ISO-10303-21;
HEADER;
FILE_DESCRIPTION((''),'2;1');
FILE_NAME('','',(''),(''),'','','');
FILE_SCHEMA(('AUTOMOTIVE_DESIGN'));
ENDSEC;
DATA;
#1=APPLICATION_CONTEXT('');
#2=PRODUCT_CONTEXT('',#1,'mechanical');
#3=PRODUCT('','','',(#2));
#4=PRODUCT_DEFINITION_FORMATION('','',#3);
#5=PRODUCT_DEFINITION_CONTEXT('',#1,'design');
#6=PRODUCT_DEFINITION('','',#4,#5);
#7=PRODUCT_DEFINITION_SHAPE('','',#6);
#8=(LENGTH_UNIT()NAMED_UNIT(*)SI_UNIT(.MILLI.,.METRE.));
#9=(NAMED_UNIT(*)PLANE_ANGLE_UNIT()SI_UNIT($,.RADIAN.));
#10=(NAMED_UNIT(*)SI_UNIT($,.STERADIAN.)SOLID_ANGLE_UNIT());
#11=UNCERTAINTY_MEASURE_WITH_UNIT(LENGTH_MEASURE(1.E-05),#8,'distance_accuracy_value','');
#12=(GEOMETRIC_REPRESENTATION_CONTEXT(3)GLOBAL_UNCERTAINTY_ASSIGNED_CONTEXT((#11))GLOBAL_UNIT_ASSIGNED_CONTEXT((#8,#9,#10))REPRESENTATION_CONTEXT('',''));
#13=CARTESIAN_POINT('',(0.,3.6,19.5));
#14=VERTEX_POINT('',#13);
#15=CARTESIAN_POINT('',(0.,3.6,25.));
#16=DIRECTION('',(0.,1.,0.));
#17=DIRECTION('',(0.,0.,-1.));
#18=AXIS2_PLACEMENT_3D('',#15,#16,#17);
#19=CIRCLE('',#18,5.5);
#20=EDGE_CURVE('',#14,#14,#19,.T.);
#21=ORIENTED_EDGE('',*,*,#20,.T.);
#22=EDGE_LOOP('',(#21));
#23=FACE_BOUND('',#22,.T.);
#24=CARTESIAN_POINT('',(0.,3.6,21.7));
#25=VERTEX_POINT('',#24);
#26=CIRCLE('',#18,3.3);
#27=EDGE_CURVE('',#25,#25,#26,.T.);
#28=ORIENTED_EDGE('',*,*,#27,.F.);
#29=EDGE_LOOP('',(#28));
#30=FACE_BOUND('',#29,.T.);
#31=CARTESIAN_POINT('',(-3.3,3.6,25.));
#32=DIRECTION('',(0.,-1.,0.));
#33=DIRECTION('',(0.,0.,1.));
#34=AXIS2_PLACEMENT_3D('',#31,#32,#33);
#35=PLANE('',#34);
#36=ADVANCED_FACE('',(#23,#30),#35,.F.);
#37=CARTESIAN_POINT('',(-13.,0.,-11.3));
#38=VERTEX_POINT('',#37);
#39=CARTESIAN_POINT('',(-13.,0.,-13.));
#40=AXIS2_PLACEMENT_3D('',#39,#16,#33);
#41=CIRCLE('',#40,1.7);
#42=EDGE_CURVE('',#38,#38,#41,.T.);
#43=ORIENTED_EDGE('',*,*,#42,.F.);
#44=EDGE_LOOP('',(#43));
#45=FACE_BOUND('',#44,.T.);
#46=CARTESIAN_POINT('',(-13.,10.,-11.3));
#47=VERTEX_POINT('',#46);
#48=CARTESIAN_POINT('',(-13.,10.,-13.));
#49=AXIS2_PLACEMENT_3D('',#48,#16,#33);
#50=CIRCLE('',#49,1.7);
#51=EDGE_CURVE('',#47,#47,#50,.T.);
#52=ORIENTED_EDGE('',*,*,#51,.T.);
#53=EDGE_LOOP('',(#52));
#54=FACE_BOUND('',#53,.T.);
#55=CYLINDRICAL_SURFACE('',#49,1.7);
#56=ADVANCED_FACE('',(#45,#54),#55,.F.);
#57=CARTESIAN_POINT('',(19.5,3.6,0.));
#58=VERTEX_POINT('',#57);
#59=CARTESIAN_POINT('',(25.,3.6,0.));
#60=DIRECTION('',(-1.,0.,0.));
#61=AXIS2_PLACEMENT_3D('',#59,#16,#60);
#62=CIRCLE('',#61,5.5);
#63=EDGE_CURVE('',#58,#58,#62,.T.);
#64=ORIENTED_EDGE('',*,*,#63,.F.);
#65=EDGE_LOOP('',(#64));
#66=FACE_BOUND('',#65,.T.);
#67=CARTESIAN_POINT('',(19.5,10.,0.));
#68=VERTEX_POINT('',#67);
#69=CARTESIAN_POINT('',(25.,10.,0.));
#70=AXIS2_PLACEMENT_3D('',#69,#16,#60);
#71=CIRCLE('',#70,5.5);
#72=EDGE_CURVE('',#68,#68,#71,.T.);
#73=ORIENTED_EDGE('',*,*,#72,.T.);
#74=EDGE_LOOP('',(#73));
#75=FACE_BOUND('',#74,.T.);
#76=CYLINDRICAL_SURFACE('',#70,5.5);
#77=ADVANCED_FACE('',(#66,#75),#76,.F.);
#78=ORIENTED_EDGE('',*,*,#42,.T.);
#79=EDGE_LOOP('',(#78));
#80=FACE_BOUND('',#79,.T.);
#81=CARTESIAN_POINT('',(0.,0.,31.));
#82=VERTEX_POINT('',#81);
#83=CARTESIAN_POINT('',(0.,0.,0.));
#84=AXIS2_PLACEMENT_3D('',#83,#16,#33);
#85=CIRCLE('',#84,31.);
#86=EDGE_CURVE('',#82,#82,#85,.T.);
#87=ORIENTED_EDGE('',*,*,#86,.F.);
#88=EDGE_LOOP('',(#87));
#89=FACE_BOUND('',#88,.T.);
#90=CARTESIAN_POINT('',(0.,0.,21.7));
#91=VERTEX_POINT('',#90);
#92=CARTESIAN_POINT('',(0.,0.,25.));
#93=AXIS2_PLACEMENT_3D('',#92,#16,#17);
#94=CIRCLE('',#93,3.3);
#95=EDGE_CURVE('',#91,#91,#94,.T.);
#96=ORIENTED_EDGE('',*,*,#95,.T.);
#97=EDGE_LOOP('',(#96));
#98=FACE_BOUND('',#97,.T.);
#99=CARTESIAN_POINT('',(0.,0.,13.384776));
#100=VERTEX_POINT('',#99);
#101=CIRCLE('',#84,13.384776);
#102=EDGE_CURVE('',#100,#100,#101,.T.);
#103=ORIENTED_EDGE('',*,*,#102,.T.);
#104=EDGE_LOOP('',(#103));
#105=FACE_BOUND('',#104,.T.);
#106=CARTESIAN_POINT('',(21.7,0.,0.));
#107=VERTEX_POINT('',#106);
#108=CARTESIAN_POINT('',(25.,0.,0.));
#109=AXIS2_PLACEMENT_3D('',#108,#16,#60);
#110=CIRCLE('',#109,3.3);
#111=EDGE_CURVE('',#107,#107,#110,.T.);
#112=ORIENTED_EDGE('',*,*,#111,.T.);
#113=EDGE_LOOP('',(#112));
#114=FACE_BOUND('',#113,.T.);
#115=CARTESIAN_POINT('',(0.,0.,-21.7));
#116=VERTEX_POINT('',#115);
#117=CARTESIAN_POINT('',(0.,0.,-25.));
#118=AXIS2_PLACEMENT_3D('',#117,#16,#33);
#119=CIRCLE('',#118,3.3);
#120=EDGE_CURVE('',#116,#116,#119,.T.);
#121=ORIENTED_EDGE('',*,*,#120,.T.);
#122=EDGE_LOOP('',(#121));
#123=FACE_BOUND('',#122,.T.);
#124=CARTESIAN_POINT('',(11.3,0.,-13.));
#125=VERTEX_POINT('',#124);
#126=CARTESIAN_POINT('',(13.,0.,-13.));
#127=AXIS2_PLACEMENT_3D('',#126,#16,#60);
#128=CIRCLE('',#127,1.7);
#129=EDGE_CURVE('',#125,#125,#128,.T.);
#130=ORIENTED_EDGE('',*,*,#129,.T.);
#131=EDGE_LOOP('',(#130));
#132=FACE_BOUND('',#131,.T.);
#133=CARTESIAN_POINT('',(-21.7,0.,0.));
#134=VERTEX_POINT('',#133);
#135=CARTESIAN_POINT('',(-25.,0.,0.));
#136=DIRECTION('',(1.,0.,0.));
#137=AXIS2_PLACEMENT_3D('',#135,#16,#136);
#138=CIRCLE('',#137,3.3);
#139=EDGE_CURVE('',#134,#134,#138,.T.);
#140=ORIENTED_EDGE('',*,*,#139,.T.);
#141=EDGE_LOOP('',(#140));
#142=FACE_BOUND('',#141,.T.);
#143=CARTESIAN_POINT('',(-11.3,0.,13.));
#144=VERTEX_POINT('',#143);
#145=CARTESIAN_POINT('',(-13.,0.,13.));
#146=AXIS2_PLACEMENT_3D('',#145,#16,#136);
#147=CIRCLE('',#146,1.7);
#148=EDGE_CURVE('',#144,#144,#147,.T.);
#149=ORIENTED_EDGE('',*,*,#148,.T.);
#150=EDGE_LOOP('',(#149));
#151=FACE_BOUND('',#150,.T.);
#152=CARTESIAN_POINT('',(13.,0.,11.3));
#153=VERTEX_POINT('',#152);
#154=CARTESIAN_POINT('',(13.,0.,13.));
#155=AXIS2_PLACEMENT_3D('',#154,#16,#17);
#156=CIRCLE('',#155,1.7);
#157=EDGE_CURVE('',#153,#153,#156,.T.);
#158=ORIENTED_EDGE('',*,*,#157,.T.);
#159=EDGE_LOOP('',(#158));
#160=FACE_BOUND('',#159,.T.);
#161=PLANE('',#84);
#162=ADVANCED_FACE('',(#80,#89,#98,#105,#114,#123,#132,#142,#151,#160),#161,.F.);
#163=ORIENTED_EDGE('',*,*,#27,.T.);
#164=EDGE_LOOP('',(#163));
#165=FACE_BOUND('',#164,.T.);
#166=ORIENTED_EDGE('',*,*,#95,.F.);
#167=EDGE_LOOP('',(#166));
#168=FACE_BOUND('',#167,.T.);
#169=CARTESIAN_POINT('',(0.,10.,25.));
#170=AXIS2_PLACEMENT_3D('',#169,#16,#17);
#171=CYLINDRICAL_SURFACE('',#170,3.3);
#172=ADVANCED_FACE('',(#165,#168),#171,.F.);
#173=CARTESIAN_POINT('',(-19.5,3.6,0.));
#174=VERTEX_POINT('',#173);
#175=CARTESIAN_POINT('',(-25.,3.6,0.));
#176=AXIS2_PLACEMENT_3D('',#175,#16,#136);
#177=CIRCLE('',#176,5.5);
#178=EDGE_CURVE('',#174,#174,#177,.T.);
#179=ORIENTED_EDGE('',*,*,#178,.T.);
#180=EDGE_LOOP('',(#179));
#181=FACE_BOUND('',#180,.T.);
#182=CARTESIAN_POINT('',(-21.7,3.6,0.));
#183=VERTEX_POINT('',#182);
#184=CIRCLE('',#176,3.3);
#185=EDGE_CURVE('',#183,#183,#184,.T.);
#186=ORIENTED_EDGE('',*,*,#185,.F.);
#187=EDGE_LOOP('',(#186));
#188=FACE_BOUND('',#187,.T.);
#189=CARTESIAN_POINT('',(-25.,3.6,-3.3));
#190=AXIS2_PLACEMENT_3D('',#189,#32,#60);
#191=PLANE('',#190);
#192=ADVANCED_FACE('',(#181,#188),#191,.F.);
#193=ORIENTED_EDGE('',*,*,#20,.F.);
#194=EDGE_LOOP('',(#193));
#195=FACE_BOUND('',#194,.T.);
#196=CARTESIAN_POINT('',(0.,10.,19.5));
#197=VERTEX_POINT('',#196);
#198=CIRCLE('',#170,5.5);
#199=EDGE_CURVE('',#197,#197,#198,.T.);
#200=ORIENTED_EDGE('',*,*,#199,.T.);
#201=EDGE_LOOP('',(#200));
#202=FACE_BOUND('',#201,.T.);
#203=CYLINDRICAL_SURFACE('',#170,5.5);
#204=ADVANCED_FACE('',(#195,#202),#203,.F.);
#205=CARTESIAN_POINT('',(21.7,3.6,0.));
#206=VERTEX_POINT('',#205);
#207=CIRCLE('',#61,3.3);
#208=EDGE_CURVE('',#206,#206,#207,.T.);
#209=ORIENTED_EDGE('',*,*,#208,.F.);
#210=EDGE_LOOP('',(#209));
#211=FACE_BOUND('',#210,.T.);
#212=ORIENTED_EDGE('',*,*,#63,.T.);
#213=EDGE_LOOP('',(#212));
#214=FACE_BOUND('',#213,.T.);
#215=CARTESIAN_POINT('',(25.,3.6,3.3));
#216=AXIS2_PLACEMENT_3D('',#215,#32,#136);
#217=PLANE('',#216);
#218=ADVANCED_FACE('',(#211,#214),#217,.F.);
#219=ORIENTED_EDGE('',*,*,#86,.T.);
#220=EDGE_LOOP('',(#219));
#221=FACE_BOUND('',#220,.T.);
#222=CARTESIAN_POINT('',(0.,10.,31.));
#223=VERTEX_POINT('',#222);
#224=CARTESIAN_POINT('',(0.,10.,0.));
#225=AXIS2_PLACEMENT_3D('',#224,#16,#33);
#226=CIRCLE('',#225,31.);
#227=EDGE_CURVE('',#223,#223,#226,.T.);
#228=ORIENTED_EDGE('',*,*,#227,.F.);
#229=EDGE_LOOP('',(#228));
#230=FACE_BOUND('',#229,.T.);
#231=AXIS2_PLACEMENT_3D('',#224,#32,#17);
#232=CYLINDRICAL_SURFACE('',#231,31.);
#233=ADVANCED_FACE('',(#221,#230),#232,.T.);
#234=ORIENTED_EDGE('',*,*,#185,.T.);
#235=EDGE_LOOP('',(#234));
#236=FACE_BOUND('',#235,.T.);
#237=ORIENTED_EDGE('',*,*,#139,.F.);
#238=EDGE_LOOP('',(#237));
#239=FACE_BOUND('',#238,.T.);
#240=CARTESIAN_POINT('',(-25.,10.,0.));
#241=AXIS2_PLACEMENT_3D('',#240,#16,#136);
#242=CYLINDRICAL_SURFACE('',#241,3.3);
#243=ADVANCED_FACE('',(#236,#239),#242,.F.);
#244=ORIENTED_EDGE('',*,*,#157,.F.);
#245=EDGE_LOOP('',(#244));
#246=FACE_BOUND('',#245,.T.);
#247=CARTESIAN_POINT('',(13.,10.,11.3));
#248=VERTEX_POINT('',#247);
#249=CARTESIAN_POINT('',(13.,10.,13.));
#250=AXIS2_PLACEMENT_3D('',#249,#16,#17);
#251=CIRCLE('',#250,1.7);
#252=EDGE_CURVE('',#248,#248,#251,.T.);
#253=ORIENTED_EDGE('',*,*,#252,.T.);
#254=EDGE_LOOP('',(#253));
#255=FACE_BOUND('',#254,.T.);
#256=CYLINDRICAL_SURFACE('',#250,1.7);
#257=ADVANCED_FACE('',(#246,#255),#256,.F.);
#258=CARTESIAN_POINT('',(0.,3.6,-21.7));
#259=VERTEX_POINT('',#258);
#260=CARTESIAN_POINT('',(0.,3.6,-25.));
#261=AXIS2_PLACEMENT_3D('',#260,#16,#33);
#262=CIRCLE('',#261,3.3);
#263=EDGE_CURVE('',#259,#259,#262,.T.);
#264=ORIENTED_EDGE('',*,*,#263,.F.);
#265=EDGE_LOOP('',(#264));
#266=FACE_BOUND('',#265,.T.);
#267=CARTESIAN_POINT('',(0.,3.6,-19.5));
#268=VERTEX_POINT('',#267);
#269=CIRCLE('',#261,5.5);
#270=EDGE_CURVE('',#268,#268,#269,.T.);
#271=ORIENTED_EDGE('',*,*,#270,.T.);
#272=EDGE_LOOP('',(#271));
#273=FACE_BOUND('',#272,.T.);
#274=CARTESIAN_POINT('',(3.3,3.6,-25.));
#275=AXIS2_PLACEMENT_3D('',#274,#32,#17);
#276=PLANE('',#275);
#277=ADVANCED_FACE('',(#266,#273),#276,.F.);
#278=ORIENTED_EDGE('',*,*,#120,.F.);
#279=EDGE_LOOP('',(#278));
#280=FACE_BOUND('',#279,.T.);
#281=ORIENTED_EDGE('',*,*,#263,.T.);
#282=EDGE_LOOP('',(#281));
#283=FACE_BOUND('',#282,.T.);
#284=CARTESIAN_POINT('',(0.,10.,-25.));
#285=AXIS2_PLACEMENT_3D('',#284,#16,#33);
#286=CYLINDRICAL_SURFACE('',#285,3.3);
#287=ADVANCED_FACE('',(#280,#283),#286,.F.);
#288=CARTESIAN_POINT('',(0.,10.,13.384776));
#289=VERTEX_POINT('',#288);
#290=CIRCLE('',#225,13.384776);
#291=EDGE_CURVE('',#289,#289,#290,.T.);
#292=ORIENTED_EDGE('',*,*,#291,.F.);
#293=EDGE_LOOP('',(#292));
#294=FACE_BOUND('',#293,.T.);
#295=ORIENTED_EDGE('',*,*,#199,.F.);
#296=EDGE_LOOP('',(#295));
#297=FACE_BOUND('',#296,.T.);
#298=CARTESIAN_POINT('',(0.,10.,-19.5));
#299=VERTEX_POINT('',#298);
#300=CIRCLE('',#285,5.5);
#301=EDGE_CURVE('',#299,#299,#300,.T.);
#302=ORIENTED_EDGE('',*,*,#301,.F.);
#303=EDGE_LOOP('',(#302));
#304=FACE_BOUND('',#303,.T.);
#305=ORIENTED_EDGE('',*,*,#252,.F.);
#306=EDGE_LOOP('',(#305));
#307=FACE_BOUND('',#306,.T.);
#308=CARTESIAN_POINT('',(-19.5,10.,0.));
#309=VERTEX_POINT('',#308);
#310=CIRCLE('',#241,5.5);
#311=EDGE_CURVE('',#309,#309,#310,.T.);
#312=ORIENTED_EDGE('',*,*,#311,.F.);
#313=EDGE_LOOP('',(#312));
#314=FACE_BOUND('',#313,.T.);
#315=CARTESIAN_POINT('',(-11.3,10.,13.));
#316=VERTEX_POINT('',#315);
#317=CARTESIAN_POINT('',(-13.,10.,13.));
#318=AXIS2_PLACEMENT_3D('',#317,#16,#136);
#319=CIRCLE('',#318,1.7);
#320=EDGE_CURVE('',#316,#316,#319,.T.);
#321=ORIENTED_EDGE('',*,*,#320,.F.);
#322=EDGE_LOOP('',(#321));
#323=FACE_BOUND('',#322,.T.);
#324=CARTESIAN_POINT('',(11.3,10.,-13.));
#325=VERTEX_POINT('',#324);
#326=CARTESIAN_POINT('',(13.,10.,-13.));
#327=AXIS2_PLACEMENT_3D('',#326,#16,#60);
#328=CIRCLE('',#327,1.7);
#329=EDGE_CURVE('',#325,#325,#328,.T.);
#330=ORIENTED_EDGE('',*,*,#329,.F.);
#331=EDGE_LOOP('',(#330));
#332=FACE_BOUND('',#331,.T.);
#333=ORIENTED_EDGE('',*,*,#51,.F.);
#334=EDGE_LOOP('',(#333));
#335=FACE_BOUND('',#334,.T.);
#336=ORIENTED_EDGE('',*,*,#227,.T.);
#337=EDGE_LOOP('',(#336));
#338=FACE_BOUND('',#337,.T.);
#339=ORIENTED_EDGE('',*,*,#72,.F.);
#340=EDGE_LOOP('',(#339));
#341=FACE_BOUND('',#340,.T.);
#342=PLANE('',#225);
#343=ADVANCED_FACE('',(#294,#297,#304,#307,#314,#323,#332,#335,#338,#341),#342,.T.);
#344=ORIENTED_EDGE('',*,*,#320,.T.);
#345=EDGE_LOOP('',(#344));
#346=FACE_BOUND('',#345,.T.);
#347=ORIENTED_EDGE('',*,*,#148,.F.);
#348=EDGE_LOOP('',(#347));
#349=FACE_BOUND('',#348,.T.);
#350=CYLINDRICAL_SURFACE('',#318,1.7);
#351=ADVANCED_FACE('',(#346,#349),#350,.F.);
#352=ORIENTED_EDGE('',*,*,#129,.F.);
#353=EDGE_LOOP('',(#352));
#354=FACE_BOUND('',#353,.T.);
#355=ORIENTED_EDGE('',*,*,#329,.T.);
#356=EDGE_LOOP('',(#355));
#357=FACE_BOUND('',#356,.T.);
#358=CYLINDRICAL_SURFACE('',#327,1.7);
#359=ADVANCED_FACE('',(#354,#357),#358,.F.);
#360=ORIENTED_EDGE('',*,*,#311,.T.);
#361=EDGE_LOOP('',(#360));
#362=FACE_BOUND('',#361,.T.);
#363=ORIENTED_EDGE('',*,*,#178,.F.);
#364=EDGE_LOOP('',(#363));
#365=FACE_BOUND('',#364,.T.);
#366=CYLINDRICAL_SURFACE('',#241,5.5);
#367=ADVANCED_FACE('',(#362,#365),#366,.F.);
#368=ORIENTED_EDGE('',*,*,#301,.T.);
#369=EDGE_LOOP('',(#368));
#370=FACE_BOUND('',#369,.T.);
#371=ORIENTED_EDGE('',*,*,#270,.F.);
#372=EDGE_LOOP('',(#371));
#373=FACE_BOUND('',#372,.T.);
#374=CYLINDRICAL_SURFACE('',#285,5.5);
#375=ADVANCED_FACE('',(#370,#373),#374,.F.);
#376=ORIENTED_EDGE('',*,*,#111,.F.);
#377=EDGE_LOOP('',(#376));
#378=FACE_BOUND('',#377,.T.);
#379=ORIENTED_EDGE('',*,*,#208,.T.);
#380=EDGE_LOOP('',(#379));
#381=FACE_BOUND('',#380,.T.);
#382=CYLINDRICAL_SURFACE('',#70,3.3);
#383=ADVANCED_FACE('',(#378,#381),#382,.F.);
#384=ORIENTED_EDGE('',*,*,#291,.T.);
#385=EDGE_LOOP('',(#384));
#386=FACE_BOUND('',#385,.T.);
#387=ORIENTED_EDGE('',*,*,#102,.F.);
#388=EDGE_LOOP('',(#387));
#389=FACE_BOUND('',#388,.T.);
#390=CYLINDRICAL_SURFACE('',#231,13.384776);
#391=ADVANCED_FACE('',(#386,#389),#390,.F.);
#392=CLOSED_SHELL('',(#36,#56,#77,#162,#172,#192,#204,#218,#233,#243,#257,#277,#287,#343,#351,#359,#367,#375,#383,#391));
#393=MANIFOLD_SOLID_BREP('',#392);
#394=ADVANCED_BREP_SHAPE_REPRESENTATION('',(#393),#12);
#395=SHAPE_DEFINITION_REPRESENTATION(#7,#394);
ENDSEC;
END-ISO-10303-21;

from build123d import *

# Parameters (mm, degrees)
SKETCH1_R                                           = 31
SKETCH1_R_2                                         = 13.384776311
BOSS_EXTRUDE1_DEPTH                                 = 10
CBORE_FOR_M6_HEX_SOCKET_HEAD_CAP_SCREW1_D           = 6.6
CBORE_FOR_M6_HEX_SOCKET_HEAD_CAP_SCREW1_CBORE_D     = 11
CBORE_FOR_M6_HEX_SOCKET_HEAD_CAP_SCREW1_CBORE_DEPTH = 6.4
M3_CLEARANCE_HOLE1_D                                = 3.4
CIRPATTERN1_COUNT                                   = 4


with BuildPart() as part:
    # Sketch1 → Boss-Extrude1 (new body)
    with BuildSketch(Plane(origin=(0, 0, 0), x_dir=(1, 0, 0), z_dir=(0, 1, 0))):
        with Locations(Location((0, 0, 0), (0, 0, 270))):
            Circle(SKETCH1_R)
        with Locations(Location((0, 0, 0), (0, 0, 270))):
            Circle(SKETCH1_R_2, mode=Mode.SUBTRACT)
    extrude(amount=BOSS_EXTRUDE1_DEPTH)

    # CBORE for M6 Hex Socket Head Cap Screw1 (through all)
    with Locations(Plane(origin=(0, 10, 0), x_dir=(1, 0, 0), z_dir=(0, 1, 0))):
        with Locations((0, 25)):
            cbore_for_m6_hex_socket_head_cap_screw1 = CounterBoreHole(CBORE_FOR_M6_HEX_SOCKET_HEAD_CAP_SCREW1_D / 2, CBORE_FOR_M6_HEX_SOCKET_HEAD_CAP_SCREW1_CBORE_D / 2, CBORE_FOR_M6_HEX_SOCKET_HEAD_CAP_SCREW1_CBORE_DEPTH)

    # M3 Clearance Hole1 (through all)
    with Locations(Plane(origin=(0, 10, 0), x_dir=(1, 0, 0), z_dir=(0, 1, 0))):
        with Locations((-13, 13)):
            m3_clearance_hole1 = Hole(M3_CLEARANCE_HOLE1_D / 2)

    # CirPattern1: CBORE for M6 Hex Socket Head Cap Screw1, M3 Clearance Hole1 ×4 about axis
    cirpattern1_axis = Axis((0, 0, 0), (0, 1, 0))
    add([cbore_for_m6_hex_socket_head_cap_screw1.rotate(cirpattern1_axis, i * 360 / CIRPATTERN1_COUNT) for i in range(1, CIRPATTERN1_COUNT)], mode=Mode.SUBTRACT)
    add([m3_clearance_hole1.rotate(cirpattern1_axis, i * 360 / CIRPATTERN1_COUNT) for i in range(1, CIRPATTERN1_COUNT)], mode=Mode.SUBTRACT)


solid = part.part
